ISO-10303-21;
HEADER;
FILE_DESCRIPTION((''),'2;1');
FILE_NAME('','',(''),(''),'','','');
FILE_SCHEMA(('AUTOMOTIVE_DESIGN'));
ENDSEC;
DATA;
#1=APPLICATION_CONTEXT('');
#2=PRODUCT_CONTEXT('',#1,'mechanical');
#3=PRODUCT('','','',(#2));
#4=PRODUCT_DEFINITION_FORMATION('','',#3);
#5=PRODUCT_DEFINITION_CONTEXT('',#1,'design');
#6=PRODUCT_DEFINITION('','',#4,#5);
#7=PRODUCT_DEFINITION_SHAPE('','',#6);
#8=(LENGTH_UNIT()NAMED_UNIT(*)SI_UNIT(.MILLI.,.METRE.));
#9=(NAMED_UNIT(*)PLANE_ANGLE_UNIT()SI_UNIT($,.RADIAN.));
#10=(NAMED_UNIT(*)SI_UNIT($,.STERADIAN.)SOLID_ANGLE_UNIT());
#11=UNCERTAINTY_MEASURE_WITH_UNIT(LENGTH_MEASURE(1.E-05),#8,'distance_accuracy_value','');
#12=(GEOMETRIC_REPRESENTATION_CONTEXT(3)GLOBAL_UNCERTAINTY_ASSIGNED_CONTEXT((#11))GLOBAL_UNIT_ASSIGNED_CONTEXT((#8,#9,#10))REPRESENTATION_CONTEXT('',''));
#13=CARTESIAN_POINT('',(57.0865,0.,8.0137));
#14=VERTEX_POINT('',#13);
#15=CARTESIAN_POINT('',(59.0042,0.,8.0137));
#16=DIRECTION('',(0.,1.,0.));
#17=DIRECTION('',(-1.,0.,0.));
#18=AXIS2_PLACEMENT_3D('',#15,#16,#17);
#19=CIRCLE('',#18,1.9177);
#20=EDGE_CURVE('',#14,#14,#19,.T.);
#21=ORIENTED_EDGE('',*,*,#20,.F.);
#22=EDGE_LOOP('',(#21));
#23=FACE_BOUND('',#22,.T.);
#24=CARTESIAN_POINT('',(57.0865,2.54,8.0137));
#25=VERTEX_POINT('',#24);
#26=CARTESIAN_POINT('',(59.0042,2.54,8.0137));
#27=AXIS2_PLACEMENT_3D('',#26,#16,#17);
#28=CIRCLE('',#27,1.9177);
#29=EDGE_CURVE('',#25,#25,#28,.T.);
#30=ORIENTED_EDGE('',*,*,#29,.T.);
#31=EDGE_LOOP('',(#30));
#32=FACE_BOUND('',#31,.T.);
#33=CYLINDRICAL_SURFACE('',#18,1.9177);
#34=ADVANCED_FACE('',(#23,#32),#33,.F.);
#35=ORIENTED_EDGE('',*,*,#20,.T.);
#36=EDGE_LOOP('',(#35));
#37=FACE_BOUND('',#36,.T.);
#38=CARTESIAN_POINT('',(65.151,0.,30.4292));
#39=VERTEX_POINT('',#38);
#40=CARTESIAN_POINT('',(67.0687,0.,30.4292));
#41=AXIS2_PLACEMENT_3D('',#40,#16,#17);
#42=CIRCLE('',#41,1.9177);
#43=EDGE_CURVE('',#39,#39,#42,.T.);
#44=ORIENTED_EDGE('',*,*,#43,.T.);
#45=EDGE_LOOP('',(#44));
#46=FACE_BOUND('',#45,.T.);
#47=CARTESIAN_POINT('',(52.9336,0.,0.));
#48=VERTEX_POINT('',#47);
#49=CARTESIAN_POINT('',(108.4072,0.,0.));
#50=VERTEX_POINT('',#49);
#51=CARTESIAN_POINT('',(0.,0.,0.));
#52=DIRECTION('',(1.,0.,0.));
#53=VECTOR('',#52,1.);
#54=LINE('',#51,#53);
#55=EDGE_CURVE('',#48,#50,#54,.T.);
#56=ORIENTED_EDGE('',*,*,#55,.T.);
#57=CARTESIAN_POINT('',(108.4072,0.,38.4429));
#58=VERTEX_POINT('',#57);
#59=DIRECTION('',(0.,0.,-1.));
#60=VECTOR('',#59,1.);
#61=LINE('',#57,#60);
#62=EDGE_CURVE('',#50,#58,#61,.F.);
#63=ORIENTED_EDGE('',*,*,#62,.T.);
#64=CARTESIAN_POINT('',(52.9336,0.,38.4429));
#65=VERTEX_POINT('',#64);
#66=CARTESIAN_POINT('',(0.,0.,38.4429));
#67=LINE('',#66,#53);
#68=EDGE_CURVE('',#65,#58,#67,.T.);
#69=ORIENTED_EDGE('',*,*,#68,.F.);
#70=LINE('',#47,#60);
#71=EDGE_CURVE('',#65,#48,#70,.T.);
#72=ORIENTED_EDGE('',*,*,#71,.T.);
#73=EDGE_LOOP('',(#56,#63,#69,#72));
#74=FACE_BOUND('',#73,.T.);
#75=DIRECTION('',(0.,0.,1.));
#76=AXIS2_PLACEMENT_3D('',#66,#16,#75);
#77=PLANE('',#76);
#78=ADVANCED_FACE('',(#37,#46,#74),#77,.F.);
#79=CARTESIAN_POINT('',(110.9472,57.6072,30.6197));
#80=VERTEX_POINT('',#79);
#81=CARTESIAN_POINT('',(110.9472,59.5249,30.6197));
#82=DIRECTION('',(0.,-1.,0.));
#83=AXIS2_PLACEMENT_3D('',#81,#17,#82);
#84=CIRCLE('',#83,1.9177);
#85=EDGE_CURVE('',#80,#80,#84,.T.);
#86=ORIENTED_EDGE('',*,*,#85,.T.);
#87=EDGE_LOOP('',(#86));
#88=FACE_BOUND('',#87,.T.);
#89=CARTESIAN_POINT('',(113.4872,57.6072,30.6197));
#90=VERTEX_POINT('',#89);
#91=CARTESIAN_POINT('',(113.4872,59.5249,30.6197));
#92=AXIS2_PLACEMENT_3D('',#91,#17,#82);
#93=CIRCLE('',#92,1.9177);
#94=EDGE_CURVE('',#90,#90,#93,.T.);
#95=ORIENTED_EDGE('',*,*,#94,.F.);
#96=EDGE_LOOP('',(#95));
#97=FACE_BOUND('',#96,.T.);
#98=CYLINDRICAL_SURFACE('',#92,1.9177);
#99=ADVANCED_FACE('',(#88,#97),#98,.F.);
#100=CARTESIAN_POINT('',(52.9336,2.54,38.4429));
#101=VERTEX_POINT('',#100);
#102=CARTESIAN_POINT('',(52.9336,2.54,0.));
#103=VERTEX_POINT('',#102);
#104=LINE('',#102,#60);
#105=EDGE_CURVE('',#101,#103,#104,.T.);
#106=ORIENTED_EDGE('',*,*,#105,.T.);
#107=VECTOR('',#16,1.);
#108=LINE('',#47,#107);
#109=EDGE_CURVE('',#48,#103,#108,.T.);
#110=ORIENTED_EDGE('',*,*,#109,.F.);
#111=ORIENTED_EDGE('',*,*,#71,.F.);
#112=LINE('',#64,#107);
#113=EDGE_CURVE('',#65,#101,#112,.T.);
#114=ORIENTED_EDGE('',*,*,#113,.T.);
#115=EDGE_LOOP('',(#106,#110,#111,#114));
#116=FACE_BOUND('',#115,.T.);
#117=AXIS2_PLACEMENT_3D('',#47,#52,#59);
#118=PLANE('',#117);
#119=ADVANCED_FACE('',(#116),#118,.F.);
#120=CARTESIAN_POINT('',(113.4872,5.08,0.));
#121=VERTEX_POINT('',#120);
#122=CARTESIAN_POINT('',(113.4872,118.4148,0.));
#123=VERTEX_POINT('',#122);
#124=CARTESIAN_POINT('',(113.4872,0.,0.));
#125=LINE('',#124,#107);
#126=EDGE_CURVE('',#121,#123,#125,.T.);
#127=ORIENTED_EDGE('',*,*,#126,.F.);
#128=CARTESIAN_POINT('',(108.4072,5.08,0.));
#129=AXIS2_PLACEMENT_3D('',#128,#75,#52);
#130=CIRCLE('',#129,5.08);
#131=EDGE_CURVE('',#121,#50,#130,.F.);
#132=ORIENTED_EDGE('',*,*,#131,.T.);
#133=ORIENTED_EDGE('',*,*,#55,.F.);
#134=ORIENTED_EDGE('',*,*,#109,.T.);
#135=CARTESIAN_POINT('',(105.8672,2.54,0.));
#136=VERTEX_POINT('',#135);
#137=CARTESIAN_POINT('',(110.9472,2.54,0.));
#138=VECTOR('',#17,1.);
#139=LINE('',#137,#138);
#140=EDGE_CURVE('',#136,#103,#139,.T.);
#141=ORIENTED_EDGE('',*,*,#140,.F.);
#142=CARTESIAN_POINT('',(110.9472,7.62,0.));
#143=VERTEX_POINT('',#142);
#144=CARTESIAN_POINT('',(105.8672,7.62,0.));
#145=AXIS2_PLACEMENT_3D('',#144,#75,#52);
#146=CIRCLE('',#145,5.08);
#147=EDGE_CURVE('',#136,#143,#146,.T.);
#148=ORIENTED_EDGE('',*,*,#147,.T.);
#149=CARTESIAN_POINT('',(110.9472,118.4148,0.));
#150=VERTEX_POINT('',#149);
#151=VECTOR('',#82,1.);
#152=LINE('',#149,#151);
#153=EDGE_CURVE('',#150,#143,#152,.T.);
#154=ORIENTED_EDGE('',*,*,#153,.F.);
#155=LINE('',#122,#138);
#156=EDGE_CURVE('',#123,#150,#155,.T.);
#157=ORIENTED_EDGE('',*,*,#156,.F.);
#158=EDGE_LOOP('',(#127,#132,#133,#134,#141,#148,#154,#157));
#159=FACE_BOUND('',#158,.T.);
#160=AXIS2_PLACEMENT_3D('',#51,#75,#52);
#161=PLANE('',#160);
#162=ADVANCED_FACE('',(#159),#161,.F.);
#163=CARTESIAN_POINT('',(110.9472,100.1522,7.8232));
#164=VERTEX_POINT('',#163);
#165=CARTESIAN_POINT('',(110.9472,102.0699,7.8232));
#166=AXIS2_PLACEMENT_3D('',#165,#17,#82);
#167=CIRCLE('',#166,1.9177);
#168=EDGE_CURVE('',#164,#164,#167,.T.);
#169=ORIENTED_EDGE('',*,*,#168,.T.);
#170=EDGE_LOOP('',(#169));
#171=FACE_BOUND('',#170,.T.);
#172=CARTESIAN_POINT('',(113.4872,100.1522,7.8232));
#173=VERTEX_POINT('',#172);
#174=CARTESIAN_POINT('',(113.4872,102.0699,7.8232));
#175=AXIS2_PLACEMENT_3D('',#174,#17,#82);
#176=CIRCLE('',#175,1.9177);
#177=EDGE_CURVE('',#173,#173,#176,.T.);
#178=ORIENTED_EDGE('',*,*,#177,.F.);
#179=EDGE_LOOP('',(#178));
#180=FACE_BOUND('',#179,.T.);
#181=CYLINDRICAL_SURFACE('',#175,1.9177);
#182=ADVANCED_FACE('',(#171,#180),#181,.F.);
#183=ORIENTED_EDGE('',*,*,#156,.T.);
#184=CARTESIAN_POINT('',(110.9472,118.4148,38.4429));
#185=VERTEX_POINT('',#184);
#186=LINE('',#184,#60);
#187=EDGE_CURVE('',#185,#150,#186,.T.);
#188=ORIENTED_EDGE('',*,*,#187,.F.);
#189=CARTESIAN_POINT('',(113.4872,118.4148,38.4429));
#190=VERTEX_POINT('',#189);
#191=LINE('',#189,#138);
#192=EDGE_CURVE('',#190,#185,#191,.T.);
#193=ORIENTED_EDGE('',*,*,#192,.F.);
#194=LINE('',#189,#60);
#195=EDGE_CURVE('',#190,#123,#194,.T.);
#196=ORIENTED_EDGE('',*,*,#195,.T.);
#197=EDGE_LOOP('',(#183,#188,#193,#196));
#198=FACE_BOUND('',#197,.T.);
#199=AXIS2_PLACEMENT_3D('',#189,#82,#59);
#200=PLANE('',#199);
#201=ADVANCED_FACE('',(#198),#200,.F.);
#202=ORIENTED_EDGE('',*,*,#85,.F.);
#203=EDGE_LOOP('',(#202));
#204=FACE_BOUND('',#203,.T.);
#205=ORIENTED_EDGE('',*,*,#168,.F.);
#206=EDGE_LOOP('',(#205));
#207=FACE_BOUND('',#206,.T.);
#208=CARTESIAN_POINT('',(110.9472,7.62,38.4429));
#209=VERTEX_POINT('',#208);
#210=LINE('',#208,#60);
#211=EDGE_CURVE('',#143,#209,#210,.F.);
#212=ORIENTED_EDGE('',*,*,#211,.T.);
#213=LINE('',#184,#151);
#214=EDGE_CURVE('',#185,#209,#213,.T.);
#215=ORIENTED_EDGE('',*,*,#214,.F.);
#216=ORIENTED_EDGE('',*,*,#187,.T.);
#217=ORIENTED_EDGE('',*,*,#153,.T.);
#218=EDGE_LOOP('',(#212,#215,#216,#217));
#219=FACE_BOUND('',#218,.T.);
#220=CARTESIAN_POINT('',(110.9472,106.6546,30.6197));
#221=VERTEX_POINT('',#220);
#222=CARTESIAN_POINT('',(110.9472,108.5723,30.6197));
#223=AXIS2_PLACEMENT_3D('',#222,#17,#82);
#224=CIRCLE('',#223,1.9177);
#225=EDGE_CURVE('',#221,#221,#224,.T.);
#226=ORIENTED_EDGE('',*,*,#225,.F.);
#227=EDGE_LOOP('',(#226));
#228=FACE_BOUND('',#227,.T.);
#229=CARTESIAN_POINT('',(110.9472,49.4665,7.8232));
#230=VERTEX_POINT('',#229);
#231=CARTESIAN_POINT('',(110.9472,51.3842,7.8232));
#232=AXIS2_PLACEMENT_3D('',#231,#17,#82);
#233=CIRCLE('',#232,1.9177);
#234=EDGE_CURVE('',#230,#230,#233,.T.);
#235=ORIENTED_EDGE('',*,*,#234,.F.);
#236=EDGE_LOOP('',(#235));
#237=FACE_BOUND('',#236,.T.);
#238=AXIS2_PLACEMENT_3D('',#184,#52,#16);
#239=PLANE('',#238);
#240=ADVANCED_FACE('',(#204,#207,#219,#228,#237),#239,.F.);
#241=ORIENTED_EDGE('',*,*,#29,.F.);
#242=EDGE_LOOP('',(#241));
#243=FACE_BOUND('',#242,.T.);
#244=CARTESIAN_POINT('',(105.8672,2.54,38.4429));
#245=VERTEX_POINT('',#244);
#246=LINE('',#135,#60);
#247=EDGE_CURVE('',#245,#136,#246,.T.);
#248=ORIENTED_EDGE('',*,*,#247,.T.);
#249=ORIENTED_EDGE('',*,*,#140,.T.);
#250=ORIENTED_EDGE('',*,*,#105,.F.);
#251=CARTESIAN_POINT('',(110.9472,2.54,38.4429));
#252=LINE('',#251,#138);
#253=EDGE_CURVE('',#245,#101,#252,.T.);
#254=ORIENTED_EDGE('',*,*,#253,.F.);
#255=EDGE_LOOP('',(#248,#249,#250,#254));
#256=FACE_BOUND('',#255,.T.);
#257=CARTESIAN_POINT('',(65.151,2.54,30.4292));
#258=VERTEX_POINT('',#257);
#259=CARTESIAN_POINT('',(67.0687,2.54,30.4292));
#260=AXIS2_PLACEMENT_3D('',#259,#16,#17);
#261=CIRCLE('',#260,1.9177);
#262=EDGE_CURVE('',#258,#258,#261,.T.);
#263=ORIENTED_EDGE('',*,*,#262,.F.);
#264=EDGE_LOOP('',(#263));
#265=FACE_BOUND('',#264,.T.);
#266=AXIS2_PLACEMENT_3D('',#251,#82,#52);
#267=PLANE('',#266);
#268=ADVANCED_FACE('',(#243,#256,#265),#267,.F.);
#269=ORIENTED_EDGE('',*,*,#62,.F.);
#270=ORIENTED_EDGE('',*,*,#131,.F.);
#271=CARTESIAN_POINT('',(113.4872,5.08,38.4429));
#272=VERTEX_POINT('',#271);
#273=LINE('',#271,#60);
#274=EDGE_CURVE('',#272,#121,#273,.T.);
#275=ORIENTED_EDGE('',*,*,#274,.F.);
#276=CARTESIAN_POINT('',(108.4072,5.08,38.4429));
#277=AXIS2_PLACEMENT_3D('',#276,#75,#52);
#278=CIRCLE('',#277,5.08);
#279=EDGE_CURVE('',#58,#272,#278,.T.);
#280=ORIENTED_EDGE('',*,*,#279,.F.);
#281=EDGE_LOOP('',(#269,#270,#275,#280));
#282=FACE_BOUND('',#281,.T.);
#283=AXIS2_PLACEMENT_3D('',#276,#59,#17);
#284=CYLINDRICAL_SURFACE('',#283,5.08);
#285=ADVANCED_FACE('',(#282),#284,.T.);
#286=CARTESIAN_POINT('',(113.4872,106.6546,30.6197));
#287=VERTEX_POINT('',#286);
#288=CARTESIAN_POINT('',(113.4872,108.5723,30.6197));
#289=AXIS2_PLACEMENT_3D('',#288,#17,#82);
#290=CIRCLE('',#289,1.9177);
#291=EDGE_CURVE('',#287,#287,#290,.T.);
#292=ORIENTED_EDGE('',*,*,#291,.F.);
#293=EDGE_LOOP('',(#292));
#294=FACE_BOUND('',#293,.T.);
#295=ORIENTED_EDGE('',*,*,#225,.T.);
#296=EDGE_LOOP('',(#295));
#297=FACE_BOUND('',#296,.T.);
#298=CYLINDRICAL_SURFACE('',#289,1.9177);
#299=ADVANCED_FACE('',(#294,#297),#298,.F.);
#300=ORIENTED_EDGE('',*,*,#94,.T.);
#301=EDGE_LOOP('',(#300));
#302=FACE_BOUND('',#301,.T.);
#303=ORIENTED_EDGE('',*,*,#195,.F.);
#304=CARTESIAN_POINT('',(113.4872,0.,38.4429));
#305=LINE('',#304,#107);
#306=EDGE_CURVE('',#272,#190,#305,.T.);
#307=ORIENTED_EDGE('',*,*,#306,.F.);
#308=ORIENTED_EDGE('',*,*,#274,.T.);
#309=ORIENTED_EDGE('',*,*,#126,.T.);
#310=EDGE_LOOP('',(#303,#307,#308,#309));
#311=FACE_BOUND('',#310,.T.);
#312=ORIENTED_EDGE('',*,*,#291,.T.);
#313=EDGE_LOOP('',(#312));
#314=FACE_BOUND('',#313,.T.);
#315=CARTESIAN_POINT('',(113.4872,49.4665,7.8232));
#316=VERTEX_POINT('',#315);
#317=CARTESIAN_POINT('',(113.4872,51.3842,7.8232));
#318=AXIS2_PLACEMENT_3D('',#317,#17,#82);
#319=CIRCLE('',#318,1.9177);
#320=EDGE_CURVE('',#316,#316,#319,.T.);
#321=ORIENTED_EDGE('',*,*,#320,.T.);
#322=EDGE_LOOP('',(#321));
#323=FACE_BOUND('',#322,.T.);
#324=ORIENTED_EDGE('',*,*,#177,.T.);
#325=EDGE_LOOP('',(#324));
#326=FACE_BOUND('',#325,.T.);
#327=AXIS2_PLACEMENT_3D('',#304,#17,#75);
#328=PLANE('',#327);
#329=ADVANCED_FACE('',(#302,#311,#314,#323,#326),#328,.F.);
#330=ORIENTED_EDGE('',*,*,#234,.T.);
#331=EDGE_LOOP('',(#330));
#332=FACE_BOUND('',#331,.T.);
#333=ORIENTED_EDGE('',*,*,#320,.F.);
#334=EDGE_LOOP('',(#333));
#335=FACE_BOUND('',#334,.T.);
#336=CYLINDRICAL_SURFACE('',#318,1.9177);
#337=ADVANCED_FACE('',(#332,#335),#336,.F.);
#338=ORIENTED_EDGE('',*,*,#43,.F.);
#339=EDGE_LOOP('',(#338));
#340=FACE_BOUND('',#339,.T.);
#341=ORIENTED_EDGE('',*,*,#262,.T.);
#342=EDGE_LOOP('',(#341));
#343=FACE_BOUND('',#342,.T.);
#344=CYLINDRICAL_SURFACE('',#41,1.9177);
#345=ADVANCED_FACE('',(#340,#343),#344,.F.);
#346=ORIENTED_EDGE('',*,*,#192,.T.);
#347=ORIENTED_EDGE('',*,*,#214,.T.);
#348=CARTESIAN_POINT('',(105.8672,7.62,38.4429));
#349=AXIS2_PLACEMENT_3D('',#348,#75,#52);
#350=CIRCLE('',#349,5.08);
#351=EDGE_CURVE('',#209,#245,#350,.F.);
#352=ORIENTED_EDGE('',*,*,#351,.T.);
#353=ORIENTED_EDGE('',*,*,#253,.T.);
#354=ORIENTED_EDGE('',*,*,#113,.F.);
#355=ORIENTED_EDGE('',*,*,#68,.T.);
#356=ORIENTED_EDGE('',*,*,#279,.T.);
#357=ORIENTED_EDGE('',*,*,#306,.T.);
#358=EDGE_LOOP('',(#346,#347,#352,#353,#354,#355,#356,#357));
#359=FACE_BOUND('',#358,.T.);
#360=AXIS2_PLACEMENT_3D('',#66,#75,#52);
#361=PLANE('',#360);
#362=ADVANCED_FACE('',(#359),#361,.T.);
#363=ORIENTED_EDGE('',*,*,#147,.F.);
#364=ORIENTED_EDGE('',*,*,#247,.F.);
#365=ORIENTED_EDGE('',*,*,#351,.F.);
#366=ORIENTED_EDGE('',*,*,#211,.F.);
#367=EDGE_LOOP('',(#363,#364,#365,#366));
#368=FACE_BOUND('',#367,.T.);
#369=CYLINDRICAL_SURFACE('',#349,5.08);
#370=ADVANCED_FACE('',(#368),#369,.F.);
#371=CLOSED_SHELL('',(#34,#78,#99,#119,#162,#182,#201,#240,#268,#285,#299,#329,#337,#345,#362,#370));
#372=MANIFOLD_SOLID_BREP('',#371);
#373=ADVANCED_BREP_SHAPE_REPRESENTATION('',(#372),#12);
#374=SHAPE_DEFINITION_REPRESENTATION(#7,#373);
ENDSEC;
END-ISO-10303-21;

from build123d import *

# Parameters (mm, degrees)
BOSS_EXTRUDE1_DEPTH = 38.4429
SKETCH2_R           = 1.9177
CUT_EXTRUDE1_DEPTH  = 3.54
SKETCH3_R           = 1.9177
CUT_EXTRUDE2_DEPTH  = 3.54
FILLET1_R           = 5.08
SKETCH4_W           = 52.9336
SKETCH4_H           = 38.4429
CUT_EXTRUDE4_DEPTH  = 3.54


with BuildPart() as part:
    # Sketch1 → Boss-Extrude1 (new body)
    with BuildSketch(Plane.XY):
        Polygon((0, 0), (113.4872, 0), (113.4872, 118.4148), (110.9472, 118.4148), (110.9472, 2.54), (0, 2.54), align=None)
    extrude(amount=BOSS_EXTRUDE1_DEPTH)

    # Sketch2 → Cut-Extrude1 (cut, through all)
    with BuildSketch(Plane(origin=(0, 2.54, 0), x_dir=(1, 0, 0), z_dir=(0, 1, 0))):
        with Locations((67.0687, -30.4292)):
            Circle(SKETCH2_R)
        with Locations((59.0042, -8.0137)):
            Circle(SKETCH2_R)
        with Locations((16.2052, -30.4292)):
            Circle(SKETCH2_R)
        with Locations((9.8806, -8.0137)):
            Circle(SKETCH2_R)
    extrude(amount=-CUT_EXTRUDE1_DEPTH, mode=Mode.SUBTRACT)

    # Sketch3 → Cut-Extrude2 (cut, through all)
    with BuildSketch(Plane.ZY.offset(-110.9472)):
        with Locations((7.8232, 51.3842)):
            Circle(SKETCH3_R)
        with Locations((30.6197, 59.5249)):
            Circle(SKETCH3_R)
        with Locations((7.8232, 102.0699)):
            Circle(SKETCH3_R)
        with Locations((30.6197, 108.5723)):
            Circle(SKETCH3_R)
    extrude(amount=-CUT_EXTRUDE2_DEPTH, mode=Mode.SUBTRACT)

    # Fillet1
    fillet1_edges = [part.edges().sort_by_distance(p)[0] for p in [
        (110.9472, 2.54, 19.22145),
        (113.4872, 0, 19.22145),
    ]]
    fillet(fillet1_edges, radius=FILLET1_R)

    # Sketch4 → Cut-Extrude4 (cut, through all)
    with BuildSketch(Plane(origin=(0, 2.54, 0), x_dir=(1, 0, 0), z_dir=(0, 1, 0))):
        with Locations((26.4668, -19.22145)):
            Rectangle(SKETCH4_W, SKETCH4_H)
    extrude(amount=-CUT_EXTRUDE4_DEPTH, mode=Mode.SUBTRACT)


solid = part.part
